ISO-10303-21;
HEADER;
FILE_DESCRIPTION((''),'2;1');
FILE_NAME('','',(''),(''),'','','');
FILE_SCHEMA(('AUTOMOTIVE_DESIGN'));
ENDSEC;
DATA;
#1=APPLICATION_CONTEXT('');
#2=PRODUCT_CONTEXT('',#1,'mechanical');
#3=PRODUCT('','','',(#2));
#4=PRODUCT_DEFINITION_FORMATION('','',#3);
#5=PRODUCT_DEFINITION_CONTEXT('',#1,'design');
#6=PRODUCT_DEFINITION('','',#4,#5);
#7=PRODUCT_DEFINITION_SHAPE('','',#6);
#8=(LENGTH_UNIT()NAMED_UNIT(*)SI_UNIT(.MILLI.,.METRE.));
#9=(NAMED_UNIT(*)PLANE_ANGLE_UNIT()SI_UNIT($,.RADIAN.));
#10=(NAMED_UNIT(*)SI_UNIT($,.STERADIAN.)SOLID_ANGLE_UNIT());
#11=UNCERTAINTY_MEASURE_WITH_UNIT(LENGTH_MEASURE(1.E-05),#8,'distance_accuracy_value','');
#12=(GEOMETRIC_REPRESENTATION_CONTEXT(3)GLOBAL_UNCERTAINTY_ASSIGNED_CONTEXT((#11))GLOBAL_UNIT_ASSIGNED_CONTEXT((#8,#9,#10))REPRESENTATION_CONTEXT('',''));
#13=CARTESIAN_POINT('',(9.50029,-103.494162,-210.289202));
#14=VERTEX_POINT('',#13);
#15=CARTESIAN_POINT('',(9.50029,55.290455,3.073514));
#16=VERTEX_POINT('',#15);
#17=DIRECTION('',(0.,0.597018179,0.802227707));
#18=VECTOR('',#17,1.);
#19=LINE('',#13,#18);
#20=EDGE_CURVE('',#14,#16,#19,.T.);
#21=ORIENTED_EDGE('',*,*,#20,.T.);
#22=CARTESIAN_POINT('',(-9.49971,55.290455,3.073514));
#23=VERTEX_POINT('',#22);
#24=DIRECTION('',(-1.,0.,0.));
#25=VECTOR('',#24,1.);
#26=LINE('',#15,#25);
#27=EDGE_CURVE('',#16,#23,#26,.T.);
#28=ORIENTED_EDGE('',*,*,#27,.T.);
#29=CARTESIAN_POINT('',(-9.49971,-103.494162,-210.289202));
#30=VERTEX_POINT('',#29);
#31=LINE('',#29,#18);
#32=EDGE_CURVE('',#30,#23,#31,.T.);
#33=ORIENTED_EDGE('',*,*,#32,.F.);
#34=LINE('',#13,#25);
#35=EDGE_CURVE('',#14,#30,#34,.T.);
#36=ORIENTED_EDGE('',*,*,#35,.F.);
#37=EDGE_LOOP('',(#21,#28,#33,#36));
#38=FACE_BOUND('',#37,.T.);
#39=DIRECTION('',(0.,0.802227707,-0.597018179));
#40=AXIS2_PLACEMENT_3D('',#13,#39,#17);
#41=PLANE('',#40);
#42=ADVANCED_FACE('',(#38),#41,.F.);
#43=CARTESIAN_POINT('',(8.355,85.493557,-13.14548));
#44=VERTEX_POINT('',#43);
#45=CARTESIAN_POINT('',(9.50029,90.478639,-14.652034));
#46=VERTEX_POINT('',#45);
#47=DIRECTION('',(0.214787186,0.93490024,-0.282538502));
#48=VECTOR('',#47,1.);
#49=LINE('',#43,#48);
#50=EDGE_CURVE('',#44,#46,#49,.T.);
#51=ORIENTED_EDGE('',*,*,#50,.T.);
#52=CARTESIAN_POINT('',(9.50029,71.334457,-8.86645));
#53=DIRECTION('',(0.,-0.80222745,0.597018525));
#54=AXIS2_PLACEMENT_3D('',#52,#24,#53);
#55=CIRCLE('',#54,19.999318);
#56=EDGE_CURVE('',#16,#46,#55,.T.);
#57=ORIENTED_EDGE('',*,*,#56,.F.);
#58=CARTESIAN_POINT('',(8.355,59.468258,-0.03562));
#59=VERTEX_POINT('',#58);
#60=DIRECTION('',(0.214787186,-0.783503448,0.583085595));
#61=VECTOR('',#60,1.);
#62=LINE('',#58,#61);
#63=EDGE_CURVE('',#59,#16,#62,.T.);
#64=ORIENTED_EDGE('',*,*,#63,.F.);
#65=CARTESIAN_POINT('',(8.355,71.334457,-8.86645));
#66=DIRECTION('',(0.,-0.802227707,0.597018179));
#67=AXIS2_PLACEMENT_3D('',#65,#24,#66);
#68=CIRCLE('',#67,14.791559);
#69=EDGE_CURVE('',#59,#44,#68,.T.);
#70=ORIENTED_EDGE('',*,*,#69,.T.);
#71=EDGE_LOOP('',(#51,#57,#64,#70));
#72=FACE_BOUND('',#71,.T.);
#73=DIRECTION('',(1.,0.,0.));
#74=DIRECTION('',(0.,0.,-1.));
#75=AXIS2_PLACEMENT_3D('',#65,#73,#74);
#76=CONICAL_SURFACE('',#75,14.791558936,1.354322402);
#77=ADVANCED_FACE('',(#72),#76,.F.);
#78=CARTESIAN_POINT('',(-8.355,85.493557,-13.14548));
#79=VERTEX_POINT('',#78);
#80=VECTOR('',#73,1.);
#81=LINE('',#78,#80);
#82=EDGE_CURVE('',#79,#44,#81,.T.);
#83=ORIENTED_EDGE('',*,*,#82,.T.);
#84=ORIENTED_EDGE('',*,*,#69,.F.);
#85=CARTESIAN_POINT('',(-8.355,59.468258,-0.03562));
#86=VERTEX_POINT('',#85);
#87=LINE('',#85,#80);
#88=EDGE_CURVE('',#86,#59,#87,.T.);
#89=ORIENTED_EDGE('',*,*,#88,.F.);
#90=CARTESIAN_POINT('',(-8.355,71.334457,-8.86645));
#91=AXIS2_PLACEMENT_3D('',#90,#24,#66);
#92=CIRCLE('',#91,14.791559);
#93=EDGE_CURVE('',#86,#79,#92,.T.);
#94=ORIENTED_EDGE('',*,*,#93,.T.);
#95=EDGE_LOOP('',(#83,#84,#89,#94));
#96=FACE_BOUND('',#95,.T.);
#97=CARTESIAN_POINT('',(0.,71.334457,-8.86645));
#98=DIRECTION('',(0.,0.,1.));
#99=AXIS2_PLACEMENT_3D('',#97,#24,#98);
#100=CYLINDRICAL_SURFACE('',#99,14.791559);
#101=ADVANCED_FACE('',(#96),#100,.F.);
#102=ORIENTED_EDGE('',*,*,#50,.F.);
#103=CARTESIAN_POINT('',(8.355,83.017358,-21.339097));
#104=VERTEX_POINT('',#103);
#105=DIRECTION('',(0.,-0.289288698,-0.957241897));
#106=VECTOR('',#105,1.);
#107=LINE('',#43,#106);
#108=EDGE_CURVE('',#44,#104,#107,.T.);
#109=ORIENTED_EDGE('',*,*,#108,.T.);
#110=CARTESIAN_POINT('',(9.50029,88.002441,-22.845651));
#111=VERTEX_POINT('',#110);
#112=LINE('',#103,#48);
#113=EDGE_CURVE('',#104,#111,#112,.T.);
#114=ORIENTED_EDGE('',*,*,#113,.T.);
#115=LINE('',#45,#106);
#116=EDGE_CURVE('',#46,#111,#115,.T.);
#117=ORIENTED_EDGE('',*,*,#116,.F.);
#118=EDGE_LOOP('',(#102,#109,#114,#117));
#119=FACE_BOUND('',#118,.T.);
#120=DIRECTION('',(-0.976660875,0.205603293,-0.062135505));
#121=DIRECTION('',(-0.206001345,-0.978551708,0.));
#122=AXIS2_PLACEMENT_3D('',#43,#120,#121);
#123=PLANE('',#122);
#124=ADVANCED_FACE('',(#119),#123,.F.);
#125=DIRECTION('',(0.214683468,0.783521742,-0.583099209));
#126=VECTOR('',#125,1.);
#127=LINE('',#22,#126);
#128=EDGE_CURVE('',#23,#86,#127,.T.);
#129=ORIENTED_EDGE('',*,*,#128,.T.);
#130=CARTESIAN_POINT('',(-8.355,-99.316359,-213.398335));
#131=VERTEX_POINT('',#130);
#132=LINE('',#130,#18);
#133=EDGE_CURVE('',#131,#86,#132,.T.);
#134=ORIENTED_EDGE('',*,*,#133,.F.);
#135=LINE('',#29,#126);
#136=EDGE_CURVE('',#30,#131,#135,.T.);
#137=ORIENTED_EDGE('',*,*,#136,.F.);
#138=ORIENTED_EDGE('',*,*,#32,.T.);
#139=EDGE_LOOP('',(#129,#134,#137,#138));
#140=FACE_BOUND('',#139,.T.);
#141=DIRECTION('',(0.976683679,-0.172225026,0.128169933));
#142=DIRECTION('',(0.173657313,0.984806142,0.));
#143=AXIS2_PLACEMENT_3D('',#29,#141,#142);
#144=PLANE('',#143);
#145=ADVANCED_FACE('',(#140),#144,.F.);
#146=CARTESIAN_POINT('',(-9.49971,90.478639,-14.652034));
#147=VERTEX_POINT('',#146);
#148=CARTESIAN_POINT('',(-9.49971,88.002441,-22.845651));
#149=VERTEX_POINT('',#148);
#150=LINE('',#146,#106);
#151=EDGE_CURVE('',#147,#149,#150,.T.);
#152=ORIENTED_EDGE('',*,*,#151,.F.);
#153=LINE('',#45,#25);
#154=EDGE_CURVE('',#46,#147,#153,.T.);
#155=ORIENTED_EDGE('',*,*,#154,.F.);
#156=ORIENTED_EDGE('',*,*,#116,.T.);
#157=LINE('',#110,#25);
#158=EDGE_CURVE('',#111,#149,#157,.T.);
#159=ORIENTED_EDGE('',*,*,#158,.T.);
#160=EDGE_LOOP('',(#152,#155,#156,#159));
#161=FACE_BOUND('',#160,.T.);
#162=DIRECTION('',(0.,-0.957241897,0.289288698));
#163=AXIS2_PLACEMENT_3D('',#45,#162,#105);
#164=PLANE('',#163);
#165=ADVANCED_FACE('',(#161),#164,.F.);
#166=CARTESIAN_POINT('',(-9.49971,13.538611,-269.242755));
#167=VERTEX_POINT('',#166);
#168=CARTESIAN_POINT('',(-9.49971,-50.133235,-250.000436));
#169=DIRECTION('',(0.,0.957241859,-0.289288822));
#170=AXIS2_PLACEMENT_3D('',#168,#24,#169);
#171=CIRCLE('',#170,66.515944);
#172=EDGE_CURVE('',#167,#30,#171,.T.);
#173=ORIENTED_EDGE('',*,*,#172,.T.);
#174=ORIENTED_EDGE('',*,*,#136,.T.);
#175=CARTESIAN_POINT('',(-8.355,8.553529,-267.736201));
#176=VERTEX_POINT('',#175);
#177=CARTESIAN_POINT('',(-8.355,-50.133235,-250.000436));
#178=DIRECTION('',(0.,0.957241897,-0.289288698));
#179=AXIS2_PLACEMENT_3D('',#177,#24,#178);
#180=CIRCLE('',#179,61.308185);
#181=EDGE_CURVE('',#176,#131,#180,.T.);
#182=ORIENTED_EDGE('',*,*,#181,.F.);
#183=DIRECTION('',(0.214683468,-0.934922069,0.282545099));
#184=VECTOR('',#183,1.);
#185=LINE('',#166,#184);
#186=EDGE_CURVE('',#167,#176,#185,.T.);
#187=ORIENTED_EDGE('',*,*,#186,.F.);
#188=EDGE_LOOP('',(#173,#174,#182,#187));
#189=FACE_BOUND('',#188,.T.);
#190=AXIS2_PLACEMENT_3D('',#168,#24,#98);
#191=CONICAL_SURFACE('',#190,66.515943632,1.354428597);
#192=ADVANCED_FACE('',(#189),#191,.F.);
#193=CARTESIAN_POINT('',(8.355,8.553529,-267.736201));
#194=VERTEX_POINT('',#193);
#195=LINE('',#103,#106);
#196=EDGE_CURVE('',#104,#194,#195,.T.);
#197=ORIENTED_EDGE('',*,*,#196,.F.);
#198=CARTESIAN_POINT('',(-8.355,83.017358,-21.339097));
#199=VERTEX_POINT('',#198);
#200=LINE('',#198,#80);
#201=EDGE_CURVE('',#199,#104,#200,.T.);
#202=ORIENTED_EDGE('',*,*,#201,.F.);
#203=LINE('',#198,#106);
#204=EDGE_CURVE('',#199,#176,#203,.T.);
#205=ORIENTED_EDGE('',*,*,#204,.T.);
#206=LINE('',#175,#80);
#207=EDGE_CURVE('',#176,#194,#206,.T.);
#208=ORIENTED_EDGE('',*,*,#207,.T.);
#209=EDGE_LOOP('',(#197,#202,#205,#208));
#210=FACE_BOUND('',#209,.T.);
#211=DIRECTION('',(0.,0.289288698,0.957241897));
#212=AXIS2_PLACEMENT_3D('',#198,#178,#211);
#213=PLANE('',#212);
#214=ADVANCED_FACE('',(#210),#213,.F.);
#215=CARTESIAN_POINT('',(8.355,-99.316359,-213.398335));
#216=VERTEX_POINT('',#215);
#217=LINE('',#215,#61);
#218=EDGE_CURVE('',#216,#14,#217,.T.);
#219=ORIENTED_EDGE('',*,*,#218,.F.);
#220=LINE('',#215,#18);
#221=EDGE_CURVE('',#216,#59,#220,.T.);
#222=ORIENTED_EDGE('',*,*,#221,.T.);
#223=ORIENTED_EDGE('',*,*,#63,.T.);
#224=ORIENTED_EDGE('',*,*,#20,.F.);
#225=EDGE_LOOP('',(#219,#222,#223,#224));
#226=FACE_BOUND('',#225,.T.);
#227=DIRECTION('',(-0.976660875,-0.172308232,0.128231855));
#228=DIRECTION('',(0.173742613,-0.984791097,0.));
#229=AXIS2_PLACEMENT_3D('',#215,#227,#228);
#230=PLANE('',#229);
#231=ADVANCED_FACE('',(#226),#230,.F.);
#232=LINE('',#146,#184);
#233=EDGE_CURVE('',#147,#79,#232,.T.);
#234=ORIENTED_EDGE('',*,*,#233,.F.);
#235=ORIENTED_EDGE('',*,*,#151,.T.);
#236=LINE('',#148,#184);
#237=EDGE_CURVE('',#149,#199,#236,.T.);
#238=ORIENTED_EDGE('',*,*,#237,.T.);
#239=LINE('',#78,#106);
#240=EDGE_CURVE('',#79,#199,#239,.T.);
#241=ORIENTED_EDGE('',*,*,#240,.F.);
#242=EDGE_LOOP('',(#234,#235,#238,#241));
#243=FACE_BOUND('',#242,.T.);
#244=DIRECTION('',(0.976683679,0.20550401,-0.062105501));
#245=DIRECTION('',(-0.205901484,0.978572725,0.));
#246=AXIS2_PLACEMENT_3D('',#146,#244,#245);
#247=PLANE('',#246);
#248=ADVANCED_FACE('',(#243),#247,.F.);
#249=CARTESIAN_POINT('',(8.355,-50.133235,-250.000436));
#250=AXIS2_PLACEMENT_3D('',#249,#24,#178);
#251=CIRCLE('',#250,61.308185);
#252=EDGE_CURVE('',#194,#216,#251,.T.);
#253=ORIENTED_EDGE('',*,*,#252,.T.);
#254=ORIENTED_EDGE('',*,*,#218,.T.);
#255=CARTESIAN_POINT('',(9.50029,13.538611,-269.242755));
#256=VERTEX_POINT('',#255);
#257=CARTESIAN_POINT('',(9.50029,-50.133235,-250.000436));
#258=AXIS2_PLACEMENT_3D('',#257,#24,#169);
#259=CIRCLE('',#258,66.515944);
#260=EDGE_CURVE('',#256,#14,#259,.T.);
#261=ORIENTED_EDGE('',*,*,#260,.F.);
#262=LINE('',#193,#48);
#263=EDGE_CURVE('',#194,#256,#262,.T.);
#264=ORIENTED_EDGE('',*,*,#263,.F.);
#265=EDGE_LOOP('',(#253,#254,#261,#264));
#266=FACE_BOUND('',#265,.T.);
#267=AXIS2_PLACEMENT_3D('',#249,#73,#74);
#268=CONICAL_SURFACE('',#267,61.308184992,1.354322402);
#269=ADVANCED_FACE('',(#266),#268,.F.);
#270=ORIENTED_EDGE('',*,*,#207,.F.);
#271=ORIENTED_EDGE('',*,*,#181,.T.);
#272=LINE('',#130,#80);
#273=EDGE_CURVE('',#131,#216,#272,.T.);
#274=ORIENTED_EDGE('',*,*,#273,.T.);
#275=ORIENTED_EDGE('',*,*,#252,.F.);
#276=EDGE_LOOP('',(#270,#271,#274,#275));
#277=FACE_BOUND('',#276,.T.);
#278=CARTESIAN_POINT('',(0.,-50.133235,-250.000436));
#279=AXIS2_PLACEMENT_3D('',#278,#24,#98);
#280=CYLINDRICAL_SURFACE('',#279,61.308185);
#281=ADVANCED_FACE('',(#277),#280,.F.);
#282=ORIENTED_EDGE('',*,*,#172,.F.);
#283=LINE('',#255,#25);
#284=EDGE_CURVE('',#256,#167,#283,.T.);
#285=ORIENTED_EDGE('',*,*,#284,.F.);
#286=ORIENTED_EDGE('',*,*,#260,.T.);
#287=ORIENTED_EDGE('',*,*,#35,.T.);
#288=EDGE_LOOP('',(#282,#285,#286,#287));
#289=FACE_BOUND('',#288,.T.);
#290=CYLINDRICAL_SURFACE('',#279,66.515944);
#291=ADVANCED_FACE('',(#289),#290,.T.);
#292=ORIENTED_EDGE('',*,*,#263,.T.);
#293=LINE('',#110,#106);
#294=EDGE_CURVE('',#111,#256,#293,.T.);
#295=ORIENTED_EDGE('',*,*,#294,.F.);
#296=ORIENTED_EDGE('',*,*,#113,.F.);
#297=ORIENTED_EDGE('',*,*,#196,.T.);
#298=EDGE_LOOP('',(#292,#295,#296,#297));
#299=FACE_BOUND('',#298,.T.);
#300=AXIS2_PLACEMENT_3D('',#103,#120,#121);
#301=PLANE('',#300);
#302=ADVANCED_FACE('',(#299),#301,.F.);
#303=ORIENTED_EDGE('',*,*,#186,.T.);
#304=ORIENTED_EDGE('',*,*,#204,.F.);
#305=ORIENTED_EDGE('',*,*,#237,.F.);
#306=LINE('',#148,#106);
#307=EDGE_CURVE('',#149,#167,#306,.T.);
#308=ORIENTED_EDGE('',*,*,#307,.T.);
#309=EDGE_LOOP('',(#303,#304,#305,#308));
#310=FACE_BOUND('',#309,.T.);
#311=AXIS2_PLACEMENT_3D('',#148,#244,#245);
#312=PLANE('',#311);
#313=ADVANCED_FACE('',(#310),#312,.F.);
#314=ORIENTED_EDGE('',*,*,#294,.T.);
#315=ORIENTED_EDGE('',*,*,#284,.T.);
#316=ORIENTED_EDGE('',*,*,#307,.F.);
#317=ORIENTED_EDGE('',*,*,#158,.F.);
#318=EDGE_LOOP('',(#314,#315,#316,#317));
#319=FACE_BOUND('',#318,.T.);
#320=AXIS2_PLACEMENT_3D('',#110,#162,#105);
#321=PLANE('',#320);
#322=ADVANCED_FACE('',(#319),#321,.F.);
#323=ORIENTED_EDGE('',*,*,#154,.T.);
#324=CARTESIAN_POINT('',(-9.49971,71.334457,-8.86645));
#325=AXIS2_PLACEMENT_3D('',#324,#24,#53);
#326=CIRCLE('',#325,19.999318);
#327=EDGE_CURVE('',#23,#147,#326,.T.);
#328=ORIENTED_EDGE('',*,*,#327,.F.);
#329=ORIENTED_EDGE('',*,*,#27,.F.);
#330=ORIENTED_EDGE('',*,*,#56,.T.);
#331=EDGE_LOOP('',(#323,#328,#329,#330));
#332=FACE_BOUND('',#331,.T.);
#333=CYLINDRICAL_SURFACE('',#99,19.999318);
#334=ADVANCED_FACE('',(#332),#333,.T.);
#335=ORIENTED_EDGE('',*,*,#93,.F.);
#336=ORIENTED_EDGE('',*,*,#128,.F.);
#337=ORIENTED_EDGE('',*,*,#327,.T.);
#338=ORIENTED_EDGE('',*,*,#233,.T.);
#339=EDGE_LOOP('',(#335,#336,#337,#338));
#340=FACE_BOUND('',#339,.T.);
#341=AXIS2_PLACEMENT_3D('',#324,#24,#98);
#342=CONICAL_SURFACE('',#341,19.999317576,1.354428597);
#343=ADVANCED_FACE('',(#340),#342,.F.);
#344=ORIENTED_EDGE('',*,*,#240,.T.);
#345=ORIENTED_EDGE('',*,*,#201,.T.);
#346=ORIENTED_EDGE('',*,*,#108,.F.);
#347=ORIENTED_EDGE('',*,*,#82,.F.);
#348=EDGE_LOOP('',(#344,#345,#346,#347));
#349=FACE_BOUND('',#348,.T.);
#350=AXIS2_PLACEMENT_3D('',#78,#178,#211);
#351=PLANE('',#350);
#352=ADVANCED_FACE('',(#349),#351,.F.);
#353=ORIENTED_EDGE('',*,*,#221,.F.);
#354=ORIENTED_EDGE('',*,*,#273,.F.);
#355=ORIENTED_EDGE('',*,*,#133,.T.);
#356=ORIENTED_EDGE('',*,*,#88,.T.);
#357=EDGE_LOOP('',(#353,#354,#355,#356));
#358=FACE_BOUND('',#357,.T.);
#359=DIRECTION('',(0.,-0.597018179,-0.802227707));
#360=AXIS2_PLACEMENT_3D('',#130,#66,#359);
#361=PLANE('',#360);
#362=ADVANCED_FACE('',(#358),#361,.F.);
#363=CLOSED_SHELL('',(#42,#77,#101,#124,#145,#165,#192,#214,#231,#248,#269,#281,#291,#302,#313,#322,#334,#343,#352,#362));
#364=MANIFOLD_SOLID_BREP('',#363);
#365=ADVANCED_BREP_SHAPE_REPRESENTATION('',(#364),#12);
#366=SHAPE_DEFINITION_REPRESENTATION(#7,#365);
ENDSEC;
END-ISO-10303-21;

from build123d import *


with BuildPart() as part:
    # Sweep2: sweep along a path in Schizzo2
    with BuildLine(Plane(origin=(0, 0, 0), x_dir=(0, 0, -1), z_dir=(1, 0, 0))) as sweep2_path:
        Line((13.145484476, 85.493570144), (267.7362051, 8.553542371))
        ThreePointArc((267.7362051, 8.553542371), (304.754104599, -77.714587953), (213.39832656, -99.316370558))
        Line((213.39832656, -99.316370558), (0.035611501, 59.468246845))
        ThreePointArc((0.035611501, 59.468246845), (-4.343739367, 77.988894569), (13.145484476, 85.493570144))
    # Schizzo3D1 → Sweep2 (sweep)
    with BuildSketch(Plane(origin=(9.500289888, 88.002440666, -22.845650773), x_dir=(-1, 0, 0), z_dir=(0, 0.28929028421703545, 0.9572414175419004))):
        Polygon((0, 0), (19, 0), (17.855289888, 5.20775864), (1.145289888, 5.20775864), align=None)
    sweep(path=sweep2_path.line)


solid = part.part
